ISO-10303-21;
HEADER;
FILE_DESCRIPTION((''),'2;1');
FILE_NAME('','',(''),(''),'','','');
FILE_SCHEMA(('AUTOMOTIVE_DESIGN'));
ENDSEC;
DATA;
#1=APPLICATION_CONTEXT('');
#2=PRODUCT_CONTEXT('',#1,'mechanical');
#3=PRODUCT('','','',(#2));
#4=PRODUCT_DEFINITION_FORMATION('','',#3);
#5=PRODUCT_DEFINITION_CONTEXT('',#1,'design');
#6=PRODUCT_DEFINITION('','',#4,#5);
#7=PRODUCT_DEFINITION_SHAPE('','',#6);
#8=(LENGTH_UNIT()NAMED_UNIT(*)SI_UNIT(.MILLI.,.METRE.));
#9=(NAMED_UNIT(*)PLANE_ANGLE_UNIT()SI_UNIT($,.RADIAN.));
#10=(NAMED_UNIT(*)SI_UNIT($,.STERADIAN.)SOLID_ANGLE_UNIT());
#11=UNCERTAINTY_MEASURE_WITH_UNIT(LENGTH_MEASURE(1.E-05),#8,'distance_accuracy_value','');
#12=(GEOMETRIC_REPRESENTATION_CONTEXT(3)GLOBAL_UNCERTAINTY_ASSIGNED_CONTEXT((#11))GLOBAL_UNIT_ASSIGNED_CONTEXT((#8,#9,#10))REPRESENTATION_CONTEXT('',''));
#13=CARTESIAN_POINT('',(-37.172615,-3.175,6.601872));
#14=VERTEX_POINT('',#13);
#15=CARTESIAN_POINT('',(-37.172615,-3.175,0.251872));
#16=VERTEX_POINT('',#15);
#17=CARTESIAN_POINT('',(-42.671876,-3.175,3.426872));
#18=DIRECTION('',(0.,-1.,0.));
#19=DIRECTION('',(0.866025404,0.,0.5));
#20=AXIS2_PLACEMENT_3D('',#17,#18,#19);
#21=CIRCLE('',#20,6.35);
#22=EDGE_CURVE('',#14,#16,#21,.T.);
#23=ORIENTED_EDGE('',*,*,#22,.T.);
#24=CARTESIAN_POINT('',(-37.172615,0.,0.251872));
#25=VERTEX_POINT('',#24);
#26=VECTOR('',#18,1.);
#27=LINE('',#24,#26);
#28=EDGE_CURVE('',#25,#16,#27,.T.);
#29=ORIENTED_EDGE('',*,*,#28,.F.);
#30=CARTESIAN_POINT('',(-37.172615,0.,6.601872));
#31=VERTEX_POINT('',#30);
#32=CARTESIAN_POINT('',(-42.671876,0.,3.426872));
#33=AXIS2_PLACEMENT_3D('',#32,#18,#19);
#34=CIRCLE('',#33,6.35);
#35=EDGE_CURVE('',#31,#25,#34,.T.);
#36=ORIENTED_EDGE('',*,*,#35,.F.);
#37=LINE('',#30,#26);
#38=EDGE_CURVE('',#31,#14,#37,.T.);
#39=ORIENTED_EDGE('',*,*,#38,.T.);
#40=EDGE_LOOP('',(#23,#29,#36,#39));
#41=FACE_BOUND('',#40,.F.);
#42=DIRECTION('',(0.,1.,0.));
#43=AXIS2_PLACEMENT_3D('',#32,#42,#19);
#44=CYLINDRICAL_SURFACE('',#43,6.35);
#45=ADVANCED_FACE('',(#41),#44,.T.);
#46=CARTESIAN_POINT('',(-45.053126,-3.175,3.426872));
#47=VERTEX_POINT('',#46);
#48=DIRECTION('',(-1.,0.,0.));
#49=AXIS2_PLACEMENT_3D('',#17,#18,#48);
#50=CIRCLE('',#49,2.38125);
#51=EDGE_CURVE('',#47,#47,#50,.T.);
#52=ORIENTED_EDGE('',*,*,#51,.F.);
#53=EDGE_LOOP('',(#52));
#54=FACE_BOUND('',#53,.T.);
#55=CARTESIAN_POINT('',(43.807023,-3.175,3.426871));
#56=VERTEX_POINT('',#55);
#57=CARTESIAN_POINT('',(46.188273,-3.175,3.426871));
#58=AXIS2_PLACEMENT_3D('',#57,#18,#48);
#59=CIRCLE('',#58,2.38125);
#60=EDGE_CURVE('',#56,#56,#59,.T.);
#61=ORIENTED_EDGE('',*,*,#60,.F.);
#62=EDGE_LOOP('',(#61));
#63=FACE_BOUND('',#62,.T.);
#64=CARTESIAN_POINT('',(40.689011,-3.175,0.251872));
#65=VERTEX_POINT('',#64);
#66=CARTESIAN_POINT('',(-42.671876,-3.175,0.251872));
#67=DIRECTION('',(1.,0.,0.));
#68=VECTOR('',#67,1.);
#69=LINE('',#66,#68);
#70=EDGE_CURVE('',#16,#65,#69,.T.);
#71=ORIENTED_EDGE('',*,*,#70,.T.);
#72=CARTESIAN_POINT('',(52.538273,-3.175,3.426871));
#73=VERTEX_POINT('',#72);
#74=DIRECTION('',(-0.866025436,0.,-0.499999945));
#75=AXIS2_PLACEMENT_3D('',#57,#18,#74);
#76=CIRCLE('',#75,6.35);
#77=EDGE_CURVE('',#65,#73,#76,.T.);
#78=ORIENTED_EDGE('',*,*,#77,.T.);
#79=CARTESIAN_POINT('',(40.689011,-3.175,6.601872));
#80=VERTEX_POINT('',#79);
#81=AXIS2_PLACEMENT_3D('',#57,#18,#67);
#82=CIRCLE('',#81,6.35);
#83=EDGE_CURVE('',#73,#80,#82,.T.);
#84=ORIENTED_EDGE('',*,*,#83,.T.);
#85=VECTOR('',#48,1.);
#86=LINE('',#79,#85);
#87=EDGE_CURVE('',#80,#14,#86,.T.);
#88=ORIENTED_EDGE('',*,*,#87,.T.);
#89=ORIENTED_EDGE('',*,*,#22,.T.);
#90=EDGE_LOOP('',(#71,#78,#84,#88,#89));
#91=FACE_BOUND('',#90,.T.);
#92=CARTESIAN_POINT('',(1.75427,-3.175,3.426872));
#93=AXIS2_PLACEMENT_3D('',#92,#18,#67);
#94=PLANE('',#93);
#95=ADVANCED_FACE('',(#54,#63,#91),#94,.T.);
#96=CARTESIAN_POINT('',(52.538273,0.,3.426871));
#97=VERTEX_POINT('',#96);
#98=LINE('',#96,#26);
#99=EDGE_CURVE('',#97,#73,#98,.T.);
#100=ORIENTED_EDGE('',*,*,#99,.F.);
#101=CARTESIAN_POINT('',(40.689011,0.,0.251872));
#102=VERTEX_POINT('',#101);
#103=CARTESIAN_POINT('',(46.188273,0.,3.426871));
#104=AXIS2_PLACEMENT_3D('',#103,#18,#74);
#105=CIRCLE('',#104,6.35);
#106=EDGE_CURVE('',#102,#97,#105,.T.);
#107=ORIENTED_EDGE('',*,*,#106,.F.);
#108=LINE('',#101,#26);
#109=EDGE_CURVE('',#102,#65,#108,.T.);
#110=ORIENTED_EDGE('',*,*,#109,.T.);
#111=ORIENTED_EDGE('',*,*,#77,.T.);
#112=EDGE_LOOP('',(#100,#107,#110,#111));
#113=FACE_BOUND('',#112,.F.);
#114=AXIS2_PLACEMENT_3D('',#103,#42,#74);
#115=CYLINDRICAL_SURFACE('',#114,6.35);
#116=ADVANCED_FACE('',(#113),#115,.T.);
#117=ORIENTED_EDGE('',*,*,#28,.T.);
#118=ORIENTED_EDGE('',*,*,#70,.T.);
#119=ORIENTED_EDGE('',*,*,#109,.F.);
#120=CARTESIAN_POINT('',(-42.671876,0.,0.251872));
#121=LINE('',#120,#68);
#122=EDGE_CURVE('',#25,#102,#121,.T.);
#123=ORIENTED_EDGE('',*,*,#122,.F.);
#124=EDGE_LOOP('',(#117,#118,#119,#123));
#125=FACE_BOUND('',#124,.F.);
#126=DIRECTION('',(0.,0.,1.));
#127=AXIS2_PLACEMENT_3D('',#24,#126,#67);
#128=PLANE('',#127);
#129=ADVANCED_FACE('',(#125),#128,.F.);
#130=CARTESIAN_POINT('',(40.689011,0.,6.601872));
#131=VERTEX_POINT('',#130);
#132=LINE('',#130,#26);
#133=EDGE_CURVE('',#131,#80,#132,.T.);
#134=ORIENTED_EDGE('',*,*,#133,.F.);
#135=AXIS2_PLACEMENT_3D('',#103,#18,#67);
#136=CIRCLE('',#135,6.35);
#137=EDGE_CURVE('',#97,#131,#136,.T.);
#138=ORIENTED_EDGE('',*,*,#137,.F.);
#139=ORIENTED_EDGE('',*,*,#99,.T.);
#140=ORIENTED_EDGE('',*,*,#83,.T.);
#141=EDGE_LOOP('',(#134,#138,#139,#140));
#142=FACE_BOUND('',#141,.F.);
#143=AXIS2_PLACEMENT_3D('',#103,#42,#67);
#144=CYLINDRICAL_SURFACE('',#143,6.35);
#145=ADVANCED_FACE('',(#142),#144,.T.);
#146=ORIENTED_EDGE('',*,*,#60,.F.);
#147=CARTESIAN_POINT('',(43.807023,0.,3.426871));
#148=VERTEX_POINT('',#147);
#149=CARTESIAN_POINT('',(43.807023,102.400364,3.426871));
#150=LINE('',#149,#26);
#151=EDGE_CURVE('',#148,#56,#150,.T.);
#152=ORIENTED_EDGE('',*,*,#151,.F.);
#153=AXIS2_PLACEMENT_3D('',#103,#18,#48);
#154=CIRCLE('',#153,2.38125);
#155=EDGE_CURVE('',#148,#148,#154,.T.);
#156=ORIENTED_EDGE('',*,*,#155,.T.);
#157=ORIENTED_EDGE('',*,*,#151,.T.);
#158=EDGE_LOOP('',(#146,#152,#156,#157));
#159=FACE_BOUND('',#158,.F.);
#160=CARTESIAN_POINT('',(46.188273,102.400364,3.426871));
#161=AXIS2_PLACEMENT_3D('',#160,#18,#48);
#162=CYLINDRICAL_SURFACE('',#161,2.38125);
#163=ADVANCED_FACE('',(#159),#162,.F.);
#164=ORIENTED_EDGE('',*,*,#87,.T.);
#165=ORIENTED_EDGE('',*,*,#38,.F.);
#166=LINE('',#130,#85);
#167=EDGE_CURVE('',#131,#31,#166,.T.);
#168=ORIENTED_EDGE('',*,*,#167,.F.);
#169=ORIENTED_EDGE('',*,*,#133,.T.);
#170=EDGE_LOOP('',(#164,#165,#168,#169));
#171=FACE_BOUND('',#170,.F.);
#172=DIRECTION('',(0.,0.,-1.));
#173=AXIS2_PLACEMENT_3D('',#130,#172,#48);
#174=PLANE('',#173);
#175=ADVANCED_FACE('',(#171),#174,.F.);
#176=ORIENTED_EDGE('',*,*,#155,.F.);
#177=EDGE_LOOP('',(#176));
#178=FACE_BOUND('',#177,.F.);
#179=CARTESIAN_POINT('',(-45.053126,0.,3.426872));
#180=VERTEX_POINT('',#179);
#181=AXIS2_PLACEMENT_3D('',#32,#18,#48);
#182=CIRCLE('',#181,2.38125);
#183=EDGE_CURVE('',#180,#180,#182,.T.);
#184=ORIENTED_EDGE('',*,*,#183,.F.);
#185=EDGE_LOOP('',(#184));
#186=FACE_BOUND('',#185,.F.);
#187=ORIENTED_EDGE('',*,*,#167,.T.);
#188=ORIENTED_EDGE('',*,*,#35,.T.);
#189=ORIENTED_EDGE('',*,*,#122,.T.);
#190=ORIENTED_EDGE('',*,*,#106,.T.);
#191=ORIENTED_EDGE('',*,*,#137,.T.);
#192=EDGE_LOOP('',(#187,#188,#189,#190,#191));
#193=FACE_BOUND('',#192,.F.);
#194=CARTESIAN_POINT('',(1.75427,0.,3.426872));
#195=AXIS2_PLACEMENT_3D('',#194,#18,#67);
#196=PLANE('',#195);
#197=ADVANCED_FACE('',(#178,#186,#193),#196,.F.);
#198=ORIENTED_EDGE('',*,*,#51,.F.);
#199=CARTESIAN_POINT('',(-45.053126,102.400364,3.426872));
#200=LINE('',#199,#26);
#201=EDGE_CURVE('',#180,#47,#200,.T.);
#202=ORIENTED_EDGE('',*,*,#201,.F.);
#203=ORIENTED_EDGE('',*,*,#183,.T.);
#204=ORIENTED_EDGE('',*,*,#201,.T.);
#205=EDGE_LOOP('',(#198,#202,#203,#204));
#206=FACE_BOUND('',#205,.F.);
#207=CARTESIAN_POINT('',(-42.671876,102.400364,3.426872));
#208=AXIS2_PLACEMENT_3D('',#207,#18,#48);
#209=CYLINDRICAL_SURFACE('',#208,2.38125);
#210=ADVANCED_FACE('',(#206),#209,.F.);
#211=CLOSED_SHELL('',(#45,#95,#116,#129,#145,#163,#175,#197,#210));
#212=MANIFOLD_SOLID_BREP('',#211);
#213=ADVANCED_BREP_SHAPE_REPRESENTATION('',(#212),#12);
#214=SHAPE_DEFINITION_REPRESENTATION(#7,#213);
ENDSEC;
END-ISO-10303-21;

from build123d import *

# Parameters (mm, degrees)
F1_DEPTH = 3.175
F2_D     = 4.7625
F3_D     = 4.7625


with BuildPart() as f1:
    # F0 (on Front) → F1 (new body)
    with BuildSketch(Plane.XZ):
        with BuildLine():
            Line((40.6890114234, 6.6018716117), (-37.1726150847, 6.6018716117))
            ThreePointArc((-37.1726150847, 6.6018716117), (-36.5382474018, 5.0703725481), (-36.3218763988, 3.4268716117))
            ThreePointArc((-36.3218763988, 3.4268716117), (-36.5382474018, 1.7833706753), (-37.1726150847, 0.2518716117))
            Line((-37.1726150847, 0.2518716117), (40.6890110201, 0.2518716117))
            ThreePointArc((40.6890110201, 0.2518716117), (39.8382725358, 3.4268716658), (40.6890114234, 6.6018716117))
        make_face()
        with BuildLine():
            Line((-37.1726150847, 6.6018716117), (-42.6718763988, 6.6018716117))
            Line((-42.6718763988, 6.6018716117), (-42.6718763988, 0.2518716117))
            Line((-42.6718763988, 0.2518716117), (-37.1726150847, 0.2518716117))
            ThreePointArc((-37.1726150847, 0.2518716117), (-36.5382474018, 1.7833706753), (-36.3218763988, 3.4268716117))
            ThreePointArc((-36.3218763988, 3.4268716117), (-36.5382474018, 5.0703725481), (-37.1726150847, 6.6018716117))
        make_face()
        with BuildLine():
            Line((-42.6718763988, 0.2518716117), (-42.6718763988, 6.6018716117))
            Line((-42.6718763988, 6.6018716117), (-37.1726150847, 6.6018716117))
            ThreePointArc((-37.1726150847, 6.6018716117), (-49.0218763988, 3.4268716117), (-37.1726150847, 0.2518716117))
            Line((-37.1726150847, 0.2518716117), (-42.6718763988, 0.2518716117))
        make_face()
        with BuildLine():
            ThreePointArc((52.5382725358, 3.4268712625), (47.831773667, 9.5605002072), (40.6890114234, 6.6018716117))
            Line((40.6890114234, 6.6018716117), (46.2281236012, 6.6018716117))
            Line((46.2281236012, 6.6018716117), (46.2281236012, 0.2518716117))
            Line((46.2281236012, 0.2518716117), (40.6890110201, 0.2518716117))
            ThreePointArc((40.6890110201, 0.2518716117), (47.8317732774, -2.7067577866), (52.5382725358, 3.4268712625))
        make_face()
        with BuildLine():
            Line((46.2281236012, 6.6018716117), (40.6890114234, 6.6018716117))
            ThreePointArc((40.6890114234, 6.6018716117), (39.8382725358, 3.4268716658), (40.6890110201, 0.2518716117))
            Line((40.6890110201, 0.2518716117), (46.2281236012, 0.2518716117))
            Line((46.2281236012, 0.2518716117), (46.2281236012, 6.6018716117))
        make_face()
    extrude(amount=F1_DEPTH)

    # F2 (through all)
    with Locations(Plane(origin=(0, 0, 0), x_dir=(1, 0, 0), z_dir=(0, 1, 0))):
        with Locations((-42.6718763988, -3.4268716117)):
            Hole(F2_D / 2)

    # F3 (through all)
    with Locations(Plane(origin=(0, 0, 0), x_dir=(1, 0, 0), z_dir=(0, 1, 0))):
        with Locations((46.1882725358, -3.4268712625)):
            Hole(F3_D / 2)


solid = f1.part
